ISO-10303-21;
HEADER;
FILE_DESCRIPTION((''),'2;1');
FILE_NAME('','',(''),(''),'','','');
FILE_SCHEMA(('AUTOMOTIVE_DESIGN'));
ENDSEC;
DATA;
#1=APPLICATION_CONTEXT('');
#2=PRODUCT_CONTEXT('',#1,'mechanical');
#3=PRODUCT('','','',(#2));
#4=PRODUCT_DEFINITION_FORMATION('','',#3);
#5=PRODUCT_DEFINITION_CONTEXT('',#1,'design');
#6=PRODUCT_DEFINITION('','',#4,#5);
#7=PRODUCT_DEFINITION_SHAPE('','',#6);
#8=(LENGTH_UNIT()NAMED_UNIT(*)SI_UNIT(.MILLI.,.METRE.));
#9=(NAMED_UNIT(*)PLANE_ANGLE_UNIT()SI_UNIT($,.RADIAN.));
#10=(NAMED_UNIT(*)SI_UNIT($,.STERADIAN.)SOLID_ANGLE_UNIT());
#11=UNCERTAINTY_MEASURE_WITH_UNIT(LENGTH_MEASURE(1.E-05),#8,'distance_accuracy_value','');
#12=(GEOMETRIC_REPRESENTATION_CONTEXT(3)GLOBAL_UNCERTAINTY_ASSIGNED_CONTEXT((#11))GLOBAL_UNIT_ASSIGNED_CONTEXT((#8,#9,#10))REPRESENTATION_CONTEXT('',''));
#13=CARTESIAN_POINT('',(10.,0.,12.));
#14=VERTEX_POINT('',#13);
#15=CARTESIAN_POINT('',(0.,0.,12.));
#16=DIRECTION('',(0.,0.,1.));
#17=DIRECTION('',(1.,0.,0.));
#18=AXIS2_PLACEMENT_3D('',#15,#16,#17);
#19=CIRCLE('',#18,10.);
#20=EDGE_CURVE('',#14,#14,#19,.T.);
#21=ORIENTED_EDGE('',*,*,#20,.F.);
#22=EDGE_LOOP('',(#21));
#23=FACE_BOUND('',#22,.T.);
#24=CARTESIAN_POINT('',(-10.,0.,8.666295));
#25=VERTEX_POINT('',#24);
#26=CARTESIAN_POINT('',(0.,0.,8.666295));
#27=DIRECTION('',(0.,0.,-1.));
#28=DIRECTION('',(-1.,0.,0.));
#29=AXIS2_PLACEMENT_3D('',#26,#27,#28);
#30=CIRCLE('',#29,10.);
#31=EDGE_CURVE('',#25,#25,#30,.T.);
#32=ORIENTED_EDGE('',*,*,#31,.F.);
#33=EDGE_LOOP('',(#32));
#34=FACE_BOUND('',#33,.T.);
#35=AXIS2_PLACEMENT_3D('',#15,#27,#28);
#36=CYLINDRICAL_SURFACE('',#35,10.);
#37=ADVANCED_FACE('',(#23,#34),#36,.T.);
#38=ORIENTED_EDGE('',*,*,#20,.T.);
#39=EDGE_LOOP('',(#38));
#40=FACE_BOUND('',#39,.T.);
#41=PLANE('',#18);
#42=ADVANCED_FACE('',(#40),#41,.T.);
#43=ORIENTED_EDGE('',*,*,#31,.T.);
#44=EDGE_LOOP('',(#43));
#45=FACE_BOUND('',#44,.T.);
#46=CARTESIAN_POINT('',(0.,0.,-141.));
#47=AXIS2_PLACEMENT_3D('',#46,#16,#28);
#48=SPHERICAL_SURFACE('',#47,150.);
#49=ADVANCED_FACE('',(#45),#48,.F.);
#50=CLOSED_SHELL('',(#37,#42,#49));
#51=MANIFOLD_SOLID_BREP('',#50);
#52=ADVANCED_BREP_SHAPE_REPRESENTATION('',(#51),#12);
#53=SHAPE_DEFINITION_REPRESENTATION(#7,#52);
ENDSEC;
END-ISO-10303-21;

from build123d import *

# Parameters (mm, degrees)
SKETCH1_R           = 10
BOSS_EXTRUDE1_DEPTH = 12


with BuildPart() as part:
    # Sketch1 → Boss-Extrude1 (new body)
    with BuildSketch(Plane.XY):
        Circle(SKETCH1_R)
    extrude(amount=BOSS_EXTRUDE1_DEPTH)

    # Sketch3 → Cut-Revolve1 (revolve, cut)
    with BuildSketch(Plane(origin=(0, 0, 0), x_dir=(1, 0, 0), z_dir=(0, 1, 0))):
        with BuildLine():
            Line((0, -9), (0, 291))
            ThreePointArc((0, 291), (-150, 141), (0, -9))
        make_face()
    revolve(axis=Axis((0, 0, 9), (0, 0, -1)), mode=Mode.SUBTRACT)


solid = part.part
